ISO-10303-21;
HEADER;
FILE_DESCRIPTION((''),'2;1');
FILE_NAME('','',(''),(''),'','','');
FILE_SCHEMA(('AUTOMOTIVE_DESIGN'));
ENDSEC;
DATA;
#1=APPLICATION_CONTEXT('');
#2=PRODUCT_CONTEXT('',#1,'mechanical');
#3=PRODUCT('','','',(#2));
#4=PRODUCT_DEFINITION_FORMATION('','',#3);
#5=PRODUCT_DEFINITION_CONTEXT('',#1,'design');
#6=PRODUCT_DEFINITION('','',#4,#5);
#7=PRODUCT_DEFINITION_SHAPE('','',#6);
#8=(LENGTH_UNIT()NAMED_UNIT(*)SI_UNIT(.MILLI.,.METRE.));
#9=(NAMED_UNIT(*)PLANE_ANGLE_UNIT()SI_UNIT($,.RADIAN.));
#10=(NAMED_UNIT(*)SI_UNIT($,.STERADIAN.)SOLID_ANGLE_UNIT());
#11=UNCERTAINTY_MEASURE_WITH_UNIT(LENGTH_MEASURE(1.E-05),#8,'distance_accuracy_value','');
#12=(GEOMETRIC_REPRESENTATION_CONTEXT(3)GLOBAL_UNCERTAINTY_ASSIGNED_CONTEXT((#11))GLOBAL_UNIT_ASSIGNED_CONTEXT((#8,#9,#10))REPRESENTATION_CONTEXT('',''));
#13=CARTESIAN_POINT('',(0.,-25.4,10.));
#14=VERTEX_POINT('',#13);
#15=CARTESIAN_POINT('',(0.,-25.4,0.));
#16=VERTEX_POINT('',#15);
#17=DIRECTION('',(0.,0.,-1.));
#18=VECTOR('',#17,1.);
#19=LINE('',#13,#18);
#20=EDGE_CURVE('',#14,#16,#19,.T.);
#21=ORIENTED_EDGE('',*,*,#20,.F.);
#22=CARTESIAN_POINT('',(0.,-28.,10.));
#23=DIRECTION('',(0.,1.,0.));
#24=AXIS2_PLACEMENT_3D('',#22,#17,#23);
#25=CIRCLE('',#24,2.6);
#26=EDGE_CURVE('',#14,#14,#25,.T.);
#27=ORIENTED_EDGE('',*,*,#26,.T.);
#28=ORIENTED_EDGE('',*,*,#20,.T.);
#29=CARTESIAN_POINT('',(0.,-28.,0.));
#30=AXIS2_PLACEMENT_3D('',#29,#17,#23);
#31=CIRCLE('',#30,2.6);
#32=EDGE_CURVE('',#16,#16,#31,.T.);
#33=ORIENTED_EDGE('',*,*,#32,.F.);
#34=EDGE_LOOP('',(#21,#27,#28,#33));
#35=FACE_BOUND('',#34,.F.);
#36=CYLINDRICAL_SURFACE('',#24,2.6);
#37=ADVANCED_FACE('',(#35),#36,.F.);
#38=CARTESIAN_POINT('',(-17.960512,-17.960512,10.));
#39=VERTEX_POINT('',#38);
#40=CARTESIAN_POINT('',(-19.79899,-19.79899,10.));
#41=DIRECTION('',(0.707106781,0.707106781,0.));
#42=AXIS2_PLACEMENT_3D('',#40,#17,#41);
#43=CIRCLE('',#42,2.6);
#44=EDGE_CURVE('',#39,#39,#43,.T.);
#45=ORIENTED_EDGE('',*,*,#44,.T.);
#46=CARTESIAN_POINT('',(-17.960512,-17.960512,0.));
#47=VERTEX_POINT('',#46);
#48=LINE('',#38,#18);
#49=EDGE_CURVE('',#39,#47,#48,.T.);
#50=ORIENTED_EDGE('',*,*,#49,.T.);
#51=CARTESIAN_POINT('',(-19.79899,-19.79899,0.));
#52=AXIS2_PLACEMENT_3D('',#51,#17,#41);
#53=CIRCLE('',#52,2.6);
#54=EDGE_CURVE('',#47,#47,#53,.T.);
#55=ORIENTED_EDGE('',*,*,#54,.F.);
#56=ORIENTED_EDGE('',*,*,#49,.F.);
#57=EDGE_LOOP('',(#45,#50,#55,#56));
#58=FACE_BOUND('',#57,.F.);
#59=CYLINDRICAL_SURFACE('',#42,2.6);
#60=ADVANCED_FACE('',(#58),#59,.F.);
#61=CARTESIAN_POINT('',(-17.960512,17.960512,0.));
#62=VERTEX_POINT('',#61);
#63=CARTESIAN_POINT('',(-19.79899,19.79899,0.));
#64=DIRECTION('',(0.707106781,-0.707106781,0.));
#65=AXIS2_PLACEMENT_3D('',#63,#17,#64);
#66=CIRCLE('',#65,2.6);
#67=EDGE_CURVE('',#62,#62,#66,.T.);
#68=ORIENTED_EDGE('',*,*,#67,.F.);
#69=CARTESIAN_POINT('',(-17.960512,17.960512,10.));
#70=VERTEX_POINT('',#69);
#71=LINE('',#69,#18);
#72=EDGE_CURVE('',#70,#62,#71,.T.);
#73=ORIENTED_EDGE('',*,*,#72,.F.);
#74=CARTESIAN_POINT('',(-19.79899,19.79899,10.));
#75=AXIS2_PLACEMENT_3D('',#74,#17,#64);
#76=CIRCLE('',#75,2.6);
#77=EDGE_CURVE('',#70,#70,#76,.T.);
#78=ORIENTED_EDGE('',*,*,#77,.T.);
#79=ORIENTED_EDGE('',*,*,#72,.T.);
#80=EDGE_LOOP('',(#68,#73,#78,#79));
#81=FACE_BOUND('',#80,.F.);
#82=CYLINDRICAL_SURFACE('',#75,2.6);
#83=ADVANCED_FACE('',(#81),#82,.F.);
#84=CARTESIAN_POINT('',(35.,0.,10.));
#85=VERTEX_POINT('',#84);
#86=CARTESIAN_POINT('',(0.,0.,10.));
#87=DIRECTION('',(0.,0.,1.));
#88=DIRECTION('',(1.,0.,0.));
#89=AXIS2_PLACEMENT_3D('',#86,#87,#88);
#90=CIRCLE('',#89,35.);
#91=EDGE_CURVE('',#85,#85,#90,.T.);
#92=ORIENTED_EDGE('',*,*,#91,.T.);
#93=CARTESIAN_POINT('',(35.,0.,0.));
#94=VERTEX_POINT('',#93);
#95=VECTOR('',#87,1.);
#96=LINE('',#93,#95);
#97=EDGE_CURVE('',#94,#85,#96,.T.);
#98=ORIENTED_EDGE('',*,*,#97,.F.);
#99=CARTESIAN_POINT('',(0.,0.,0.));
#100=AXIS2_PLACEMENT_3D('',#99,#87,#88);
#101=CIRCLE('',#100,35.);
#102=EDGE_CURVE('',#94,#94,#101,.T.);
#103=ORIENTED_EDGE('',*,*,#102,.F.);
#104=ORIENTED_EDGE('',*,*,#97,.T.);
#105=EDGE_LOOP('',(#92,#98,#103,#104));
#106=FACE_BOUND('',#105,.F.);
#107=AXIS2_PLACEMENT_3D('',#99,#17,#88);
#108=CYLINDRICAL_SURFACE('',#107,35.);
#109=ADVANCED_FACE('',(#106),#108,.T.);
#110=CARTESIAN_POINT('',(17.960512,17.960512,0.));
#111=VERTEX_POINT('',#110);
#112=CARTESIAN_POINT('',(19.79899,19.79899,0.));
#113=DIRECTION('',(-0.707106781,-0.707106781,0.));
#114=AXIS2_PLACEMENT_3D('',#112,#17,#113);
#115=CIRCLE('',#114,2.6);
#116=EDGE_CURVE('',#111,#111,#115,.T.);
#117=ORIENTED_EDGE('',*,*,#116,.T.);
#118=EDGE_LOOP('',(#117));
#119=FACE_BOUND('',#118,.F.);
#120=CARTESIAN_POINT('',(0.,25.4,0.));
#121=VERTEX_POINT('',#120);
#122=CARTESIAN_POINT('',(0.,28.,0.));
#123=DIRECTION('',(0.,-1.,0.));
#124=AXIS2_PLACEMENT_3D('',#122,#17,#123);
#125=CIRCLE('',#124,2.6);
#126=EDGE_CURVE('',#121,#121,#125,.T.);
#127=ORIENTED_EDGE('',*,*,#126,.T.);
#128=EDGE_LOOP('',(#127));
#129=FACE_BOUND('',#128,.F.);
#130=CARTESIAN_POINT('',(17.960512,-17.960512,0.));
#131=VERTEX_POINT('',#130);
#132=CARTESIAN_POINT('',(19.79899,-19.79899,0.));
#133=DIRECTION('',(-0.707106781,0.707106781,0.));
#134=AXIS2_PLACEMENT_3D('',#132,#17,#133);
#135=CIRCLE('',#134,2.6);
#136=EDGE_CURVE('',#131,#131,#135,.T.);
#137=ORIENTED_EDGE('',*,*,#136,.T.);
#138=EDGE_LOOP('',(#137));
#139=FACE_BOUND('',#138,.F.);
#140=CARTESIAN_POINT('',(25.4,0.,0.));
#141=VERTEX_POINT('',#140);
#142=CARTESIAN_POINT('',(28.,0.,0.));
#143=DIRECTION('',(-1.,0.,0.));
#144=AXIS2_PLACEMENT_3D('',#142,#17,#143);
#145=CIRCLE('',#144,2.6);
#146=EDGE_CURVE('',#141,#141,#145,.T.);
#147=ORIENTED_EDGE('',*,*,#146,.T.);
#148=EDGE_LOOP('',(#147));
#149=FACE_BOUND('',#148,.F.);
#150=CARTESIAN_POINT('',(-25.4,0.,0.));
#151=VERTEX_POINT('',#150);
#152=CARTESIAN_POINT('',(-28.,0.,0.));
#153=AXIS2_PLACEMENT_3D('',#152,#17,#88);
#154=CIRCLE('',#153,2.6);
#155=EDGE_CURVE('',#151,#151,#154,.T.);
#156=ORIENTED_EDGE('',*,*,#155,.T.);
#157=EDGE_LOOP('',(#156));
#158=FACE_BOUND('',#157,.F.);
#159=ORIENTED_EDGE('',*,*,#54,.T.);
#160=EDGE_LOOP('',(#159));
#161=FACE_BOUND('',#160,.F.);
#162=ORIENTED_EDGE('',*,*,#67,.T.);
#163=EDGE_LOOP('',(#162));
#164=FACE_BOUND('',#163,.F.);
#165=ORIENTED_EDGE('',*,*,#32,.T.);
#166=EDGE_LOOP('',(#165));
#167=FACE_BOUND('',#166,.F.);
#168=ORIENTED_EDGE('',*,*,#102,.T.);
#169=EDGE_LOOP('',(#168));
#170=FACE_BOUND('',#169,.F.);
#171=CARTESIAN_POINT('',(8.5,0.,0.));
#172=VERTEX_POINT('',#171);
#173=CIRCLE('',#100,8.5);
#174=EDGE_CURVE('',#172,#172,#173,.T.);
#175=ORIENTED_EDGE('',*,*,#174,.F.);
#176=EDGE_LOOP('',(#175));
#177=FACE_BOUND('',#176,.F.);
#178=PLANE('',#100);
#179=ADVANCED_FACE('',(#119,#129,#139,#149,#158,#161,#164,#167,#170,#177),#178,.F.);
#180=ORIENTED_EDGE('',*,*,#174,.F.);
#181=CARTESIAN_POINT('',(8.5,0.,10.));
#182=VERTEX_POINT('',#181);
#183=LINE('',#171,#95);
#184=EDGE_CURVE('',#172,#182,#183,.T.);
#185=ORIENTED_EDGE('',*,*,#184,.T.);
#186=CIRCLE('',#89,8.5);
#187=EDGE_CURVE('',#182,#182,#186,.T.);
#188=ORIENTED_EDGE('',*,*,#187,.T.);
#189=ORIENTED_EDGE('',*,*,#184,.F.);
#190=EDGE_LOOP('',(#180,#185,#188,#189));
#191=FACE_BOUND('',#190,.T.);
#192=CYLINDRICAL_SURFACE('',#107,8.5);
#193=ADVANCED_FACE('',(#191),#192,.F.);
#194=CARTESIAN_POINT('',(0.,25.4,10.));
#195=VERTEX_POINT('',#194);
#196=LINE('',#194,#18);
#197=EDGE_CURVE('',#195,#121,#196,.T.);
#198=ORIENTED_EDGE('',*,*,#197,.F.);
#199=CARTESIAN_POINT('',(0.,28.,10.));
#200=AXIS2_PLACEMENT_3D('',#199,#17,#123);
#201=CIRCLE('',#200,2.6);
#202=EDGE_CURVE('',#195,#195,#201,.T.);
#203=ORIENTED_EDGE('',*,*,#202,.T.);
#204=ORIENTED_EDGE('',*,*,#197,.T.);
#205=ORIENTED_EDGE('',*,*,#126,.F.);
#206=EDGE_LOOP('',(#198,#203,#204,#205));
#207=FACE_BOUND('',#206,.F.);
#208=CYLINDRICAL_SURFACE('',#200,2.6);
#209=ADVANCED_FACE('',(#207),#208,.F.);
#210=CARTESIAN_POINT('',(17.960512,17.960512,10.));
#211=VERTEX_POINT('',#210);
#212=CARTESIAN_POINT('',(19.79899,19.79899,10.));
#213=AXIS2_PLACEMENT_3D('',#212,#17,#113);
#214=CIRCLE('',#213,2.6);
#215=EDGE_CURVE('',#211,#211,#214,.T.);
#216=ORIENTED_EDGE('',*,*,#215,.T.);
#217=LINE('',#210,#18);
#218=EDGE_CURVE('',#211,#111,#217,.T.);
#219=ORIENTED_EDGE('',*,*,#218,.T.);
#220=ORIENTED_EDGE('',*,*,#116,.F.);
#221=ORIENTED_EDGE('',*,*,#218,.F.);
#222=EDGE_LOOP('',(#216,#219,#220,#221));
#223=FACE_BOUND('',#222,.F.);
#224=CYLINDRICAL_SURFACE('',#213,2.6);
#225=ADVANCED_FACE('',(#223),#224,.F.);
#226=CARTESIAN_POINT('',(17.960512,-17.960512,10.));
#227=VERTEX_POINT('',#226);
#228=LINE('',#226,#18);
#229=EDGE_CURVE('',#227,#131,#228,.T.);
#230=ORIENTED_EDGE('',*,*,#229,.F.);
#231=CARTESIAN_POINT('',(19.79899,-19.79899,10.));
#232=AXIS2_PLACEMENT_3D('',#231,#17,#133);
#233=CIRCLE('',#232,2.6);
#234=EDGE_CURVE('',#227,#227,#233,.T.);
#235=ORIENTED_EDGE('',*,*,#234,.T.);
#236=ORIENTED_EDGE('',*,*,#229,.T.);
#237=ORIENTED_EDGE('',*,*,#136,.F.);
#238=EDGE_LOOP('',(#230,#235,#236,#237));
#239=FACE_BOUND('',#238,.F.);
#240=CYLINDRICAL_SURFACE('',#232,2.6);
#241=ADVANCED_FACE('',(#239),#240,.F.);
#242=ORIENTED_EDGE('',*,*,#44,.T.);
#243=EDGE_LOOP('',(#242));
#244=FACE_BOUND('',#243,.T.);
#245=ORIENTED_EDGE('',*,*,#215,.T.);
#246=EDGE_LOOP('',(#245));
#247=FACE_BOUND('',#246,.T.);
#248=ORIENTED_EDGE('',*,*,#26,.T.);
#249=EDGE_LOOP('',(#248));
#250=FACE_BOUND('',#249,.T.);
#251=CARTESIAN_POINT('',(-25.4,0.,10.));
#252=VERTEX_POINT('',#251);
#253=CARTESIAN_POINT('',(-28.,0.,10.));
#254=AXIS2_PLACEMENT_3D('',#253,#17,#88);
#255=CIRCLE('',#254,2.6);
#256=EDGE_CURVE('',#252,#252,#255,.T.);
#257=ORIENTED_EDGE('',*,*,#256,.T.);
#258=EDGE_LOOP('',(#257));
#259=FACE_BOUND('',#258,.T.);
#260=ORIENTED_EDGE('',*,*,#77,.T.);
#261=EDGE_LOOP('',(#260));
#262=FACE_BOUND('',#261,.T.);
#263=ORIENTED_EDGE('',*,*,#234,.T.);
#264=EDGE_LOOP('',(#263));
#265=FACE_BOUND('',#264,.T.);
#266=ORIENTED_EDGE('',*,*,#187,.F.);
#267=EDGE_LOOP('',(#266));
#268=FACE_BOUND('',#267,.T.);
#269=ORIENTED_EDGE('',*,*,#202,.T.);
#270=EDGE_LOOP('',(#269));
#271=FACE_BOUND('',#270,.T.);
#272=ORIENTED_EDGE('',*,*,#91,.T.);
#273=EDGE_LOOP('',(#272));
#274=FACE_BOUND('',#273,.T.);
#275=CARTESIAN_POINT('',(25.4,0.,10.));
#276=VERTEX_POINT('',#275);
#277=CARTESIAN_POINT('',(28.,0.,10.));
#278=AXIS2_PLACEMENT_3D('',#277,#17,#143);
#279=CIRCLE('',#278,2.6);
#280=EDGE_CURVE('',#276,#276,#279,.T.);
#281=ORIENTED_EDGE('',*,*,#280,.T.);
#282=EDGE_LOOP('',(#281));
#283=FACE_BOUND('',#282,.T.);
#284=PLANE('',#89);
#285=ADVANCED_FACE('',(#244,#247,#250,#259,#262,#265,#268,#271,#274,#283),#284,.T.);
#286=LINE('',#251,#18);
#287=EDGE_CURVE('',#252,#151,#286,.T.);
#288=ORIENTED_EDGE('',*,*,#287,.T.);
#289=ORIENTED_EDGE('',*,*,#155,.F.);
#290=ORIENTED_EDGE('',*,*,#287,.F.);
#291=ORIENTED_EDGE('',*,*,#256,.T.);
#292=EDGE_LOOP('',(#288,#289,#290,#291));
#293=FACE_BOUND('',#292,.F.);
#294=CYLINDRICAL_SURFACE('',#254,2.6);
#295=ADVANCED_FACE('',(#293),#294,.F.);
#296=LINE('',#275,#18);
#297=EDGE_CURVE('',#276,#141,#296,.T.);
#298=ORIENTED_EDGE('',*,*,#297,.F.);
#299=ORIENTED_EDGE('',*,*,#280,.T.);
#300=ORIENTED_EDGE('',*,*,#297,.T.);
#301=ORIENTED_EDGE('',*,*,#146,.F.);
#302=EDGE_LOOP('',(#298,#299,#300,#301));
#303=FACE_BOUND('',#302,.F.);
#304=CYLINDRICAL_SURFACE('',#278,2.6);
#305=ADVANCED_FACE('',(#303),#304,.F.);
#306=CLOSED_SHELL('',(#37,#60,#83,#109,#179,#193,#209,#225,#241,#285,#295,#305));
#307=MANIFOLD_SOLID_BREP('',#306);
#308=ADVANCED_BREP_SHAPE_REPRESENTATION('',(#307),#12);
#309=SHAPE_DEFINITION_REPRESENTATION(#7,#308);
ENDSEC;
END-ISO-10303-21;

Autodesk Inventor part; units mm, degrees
ref_plane "YZ Plane" through (0, 0, 0) normal (1, 0, 0) x (0, 1, 0)
ref_plane "XZ Plane" through (0, 0, 0) normal (0, 1, 0) x (-1, 0, 0)
ref_plane "XY Plane" through (0, 0, 0) normal (0, 0, 1) x (1, 0, 0)
sketch "Sketch1" plane through (0, 0, 0) normal (0, 0, 1) x (1, 0, 0)
  circle A0 centre (0, 0) radius 8.5
  circle A1 centre (0, 0) radius 35
  dimension "d0" = 17
  dimension "d1" = 70
extrude "Extrusion1" add sketch "Sketch1" along normal blind 10
sketch "Sketch2" plane through (0, 0, 10) normal (0, 0, 1) x (1, 0, 0)
  circle A0 centre (0, 28) radius 2.2143
  point P0 (0, 0)
  dimension "d4" = 28
hole "Hole1" at (0, 28, 10) direction (0, 0, -1) diameter 5.2 end through all
thread "Thread1" size "M5.5x0.5" class "6H" standard "ANSI Metric M Profile" full length
pattern_circular "Circular Pattern1" count 8 over 360 about axis through (0, 0, 0) along (0, 0, 1) of "Hole1"
properties part number "Nose Hub"
